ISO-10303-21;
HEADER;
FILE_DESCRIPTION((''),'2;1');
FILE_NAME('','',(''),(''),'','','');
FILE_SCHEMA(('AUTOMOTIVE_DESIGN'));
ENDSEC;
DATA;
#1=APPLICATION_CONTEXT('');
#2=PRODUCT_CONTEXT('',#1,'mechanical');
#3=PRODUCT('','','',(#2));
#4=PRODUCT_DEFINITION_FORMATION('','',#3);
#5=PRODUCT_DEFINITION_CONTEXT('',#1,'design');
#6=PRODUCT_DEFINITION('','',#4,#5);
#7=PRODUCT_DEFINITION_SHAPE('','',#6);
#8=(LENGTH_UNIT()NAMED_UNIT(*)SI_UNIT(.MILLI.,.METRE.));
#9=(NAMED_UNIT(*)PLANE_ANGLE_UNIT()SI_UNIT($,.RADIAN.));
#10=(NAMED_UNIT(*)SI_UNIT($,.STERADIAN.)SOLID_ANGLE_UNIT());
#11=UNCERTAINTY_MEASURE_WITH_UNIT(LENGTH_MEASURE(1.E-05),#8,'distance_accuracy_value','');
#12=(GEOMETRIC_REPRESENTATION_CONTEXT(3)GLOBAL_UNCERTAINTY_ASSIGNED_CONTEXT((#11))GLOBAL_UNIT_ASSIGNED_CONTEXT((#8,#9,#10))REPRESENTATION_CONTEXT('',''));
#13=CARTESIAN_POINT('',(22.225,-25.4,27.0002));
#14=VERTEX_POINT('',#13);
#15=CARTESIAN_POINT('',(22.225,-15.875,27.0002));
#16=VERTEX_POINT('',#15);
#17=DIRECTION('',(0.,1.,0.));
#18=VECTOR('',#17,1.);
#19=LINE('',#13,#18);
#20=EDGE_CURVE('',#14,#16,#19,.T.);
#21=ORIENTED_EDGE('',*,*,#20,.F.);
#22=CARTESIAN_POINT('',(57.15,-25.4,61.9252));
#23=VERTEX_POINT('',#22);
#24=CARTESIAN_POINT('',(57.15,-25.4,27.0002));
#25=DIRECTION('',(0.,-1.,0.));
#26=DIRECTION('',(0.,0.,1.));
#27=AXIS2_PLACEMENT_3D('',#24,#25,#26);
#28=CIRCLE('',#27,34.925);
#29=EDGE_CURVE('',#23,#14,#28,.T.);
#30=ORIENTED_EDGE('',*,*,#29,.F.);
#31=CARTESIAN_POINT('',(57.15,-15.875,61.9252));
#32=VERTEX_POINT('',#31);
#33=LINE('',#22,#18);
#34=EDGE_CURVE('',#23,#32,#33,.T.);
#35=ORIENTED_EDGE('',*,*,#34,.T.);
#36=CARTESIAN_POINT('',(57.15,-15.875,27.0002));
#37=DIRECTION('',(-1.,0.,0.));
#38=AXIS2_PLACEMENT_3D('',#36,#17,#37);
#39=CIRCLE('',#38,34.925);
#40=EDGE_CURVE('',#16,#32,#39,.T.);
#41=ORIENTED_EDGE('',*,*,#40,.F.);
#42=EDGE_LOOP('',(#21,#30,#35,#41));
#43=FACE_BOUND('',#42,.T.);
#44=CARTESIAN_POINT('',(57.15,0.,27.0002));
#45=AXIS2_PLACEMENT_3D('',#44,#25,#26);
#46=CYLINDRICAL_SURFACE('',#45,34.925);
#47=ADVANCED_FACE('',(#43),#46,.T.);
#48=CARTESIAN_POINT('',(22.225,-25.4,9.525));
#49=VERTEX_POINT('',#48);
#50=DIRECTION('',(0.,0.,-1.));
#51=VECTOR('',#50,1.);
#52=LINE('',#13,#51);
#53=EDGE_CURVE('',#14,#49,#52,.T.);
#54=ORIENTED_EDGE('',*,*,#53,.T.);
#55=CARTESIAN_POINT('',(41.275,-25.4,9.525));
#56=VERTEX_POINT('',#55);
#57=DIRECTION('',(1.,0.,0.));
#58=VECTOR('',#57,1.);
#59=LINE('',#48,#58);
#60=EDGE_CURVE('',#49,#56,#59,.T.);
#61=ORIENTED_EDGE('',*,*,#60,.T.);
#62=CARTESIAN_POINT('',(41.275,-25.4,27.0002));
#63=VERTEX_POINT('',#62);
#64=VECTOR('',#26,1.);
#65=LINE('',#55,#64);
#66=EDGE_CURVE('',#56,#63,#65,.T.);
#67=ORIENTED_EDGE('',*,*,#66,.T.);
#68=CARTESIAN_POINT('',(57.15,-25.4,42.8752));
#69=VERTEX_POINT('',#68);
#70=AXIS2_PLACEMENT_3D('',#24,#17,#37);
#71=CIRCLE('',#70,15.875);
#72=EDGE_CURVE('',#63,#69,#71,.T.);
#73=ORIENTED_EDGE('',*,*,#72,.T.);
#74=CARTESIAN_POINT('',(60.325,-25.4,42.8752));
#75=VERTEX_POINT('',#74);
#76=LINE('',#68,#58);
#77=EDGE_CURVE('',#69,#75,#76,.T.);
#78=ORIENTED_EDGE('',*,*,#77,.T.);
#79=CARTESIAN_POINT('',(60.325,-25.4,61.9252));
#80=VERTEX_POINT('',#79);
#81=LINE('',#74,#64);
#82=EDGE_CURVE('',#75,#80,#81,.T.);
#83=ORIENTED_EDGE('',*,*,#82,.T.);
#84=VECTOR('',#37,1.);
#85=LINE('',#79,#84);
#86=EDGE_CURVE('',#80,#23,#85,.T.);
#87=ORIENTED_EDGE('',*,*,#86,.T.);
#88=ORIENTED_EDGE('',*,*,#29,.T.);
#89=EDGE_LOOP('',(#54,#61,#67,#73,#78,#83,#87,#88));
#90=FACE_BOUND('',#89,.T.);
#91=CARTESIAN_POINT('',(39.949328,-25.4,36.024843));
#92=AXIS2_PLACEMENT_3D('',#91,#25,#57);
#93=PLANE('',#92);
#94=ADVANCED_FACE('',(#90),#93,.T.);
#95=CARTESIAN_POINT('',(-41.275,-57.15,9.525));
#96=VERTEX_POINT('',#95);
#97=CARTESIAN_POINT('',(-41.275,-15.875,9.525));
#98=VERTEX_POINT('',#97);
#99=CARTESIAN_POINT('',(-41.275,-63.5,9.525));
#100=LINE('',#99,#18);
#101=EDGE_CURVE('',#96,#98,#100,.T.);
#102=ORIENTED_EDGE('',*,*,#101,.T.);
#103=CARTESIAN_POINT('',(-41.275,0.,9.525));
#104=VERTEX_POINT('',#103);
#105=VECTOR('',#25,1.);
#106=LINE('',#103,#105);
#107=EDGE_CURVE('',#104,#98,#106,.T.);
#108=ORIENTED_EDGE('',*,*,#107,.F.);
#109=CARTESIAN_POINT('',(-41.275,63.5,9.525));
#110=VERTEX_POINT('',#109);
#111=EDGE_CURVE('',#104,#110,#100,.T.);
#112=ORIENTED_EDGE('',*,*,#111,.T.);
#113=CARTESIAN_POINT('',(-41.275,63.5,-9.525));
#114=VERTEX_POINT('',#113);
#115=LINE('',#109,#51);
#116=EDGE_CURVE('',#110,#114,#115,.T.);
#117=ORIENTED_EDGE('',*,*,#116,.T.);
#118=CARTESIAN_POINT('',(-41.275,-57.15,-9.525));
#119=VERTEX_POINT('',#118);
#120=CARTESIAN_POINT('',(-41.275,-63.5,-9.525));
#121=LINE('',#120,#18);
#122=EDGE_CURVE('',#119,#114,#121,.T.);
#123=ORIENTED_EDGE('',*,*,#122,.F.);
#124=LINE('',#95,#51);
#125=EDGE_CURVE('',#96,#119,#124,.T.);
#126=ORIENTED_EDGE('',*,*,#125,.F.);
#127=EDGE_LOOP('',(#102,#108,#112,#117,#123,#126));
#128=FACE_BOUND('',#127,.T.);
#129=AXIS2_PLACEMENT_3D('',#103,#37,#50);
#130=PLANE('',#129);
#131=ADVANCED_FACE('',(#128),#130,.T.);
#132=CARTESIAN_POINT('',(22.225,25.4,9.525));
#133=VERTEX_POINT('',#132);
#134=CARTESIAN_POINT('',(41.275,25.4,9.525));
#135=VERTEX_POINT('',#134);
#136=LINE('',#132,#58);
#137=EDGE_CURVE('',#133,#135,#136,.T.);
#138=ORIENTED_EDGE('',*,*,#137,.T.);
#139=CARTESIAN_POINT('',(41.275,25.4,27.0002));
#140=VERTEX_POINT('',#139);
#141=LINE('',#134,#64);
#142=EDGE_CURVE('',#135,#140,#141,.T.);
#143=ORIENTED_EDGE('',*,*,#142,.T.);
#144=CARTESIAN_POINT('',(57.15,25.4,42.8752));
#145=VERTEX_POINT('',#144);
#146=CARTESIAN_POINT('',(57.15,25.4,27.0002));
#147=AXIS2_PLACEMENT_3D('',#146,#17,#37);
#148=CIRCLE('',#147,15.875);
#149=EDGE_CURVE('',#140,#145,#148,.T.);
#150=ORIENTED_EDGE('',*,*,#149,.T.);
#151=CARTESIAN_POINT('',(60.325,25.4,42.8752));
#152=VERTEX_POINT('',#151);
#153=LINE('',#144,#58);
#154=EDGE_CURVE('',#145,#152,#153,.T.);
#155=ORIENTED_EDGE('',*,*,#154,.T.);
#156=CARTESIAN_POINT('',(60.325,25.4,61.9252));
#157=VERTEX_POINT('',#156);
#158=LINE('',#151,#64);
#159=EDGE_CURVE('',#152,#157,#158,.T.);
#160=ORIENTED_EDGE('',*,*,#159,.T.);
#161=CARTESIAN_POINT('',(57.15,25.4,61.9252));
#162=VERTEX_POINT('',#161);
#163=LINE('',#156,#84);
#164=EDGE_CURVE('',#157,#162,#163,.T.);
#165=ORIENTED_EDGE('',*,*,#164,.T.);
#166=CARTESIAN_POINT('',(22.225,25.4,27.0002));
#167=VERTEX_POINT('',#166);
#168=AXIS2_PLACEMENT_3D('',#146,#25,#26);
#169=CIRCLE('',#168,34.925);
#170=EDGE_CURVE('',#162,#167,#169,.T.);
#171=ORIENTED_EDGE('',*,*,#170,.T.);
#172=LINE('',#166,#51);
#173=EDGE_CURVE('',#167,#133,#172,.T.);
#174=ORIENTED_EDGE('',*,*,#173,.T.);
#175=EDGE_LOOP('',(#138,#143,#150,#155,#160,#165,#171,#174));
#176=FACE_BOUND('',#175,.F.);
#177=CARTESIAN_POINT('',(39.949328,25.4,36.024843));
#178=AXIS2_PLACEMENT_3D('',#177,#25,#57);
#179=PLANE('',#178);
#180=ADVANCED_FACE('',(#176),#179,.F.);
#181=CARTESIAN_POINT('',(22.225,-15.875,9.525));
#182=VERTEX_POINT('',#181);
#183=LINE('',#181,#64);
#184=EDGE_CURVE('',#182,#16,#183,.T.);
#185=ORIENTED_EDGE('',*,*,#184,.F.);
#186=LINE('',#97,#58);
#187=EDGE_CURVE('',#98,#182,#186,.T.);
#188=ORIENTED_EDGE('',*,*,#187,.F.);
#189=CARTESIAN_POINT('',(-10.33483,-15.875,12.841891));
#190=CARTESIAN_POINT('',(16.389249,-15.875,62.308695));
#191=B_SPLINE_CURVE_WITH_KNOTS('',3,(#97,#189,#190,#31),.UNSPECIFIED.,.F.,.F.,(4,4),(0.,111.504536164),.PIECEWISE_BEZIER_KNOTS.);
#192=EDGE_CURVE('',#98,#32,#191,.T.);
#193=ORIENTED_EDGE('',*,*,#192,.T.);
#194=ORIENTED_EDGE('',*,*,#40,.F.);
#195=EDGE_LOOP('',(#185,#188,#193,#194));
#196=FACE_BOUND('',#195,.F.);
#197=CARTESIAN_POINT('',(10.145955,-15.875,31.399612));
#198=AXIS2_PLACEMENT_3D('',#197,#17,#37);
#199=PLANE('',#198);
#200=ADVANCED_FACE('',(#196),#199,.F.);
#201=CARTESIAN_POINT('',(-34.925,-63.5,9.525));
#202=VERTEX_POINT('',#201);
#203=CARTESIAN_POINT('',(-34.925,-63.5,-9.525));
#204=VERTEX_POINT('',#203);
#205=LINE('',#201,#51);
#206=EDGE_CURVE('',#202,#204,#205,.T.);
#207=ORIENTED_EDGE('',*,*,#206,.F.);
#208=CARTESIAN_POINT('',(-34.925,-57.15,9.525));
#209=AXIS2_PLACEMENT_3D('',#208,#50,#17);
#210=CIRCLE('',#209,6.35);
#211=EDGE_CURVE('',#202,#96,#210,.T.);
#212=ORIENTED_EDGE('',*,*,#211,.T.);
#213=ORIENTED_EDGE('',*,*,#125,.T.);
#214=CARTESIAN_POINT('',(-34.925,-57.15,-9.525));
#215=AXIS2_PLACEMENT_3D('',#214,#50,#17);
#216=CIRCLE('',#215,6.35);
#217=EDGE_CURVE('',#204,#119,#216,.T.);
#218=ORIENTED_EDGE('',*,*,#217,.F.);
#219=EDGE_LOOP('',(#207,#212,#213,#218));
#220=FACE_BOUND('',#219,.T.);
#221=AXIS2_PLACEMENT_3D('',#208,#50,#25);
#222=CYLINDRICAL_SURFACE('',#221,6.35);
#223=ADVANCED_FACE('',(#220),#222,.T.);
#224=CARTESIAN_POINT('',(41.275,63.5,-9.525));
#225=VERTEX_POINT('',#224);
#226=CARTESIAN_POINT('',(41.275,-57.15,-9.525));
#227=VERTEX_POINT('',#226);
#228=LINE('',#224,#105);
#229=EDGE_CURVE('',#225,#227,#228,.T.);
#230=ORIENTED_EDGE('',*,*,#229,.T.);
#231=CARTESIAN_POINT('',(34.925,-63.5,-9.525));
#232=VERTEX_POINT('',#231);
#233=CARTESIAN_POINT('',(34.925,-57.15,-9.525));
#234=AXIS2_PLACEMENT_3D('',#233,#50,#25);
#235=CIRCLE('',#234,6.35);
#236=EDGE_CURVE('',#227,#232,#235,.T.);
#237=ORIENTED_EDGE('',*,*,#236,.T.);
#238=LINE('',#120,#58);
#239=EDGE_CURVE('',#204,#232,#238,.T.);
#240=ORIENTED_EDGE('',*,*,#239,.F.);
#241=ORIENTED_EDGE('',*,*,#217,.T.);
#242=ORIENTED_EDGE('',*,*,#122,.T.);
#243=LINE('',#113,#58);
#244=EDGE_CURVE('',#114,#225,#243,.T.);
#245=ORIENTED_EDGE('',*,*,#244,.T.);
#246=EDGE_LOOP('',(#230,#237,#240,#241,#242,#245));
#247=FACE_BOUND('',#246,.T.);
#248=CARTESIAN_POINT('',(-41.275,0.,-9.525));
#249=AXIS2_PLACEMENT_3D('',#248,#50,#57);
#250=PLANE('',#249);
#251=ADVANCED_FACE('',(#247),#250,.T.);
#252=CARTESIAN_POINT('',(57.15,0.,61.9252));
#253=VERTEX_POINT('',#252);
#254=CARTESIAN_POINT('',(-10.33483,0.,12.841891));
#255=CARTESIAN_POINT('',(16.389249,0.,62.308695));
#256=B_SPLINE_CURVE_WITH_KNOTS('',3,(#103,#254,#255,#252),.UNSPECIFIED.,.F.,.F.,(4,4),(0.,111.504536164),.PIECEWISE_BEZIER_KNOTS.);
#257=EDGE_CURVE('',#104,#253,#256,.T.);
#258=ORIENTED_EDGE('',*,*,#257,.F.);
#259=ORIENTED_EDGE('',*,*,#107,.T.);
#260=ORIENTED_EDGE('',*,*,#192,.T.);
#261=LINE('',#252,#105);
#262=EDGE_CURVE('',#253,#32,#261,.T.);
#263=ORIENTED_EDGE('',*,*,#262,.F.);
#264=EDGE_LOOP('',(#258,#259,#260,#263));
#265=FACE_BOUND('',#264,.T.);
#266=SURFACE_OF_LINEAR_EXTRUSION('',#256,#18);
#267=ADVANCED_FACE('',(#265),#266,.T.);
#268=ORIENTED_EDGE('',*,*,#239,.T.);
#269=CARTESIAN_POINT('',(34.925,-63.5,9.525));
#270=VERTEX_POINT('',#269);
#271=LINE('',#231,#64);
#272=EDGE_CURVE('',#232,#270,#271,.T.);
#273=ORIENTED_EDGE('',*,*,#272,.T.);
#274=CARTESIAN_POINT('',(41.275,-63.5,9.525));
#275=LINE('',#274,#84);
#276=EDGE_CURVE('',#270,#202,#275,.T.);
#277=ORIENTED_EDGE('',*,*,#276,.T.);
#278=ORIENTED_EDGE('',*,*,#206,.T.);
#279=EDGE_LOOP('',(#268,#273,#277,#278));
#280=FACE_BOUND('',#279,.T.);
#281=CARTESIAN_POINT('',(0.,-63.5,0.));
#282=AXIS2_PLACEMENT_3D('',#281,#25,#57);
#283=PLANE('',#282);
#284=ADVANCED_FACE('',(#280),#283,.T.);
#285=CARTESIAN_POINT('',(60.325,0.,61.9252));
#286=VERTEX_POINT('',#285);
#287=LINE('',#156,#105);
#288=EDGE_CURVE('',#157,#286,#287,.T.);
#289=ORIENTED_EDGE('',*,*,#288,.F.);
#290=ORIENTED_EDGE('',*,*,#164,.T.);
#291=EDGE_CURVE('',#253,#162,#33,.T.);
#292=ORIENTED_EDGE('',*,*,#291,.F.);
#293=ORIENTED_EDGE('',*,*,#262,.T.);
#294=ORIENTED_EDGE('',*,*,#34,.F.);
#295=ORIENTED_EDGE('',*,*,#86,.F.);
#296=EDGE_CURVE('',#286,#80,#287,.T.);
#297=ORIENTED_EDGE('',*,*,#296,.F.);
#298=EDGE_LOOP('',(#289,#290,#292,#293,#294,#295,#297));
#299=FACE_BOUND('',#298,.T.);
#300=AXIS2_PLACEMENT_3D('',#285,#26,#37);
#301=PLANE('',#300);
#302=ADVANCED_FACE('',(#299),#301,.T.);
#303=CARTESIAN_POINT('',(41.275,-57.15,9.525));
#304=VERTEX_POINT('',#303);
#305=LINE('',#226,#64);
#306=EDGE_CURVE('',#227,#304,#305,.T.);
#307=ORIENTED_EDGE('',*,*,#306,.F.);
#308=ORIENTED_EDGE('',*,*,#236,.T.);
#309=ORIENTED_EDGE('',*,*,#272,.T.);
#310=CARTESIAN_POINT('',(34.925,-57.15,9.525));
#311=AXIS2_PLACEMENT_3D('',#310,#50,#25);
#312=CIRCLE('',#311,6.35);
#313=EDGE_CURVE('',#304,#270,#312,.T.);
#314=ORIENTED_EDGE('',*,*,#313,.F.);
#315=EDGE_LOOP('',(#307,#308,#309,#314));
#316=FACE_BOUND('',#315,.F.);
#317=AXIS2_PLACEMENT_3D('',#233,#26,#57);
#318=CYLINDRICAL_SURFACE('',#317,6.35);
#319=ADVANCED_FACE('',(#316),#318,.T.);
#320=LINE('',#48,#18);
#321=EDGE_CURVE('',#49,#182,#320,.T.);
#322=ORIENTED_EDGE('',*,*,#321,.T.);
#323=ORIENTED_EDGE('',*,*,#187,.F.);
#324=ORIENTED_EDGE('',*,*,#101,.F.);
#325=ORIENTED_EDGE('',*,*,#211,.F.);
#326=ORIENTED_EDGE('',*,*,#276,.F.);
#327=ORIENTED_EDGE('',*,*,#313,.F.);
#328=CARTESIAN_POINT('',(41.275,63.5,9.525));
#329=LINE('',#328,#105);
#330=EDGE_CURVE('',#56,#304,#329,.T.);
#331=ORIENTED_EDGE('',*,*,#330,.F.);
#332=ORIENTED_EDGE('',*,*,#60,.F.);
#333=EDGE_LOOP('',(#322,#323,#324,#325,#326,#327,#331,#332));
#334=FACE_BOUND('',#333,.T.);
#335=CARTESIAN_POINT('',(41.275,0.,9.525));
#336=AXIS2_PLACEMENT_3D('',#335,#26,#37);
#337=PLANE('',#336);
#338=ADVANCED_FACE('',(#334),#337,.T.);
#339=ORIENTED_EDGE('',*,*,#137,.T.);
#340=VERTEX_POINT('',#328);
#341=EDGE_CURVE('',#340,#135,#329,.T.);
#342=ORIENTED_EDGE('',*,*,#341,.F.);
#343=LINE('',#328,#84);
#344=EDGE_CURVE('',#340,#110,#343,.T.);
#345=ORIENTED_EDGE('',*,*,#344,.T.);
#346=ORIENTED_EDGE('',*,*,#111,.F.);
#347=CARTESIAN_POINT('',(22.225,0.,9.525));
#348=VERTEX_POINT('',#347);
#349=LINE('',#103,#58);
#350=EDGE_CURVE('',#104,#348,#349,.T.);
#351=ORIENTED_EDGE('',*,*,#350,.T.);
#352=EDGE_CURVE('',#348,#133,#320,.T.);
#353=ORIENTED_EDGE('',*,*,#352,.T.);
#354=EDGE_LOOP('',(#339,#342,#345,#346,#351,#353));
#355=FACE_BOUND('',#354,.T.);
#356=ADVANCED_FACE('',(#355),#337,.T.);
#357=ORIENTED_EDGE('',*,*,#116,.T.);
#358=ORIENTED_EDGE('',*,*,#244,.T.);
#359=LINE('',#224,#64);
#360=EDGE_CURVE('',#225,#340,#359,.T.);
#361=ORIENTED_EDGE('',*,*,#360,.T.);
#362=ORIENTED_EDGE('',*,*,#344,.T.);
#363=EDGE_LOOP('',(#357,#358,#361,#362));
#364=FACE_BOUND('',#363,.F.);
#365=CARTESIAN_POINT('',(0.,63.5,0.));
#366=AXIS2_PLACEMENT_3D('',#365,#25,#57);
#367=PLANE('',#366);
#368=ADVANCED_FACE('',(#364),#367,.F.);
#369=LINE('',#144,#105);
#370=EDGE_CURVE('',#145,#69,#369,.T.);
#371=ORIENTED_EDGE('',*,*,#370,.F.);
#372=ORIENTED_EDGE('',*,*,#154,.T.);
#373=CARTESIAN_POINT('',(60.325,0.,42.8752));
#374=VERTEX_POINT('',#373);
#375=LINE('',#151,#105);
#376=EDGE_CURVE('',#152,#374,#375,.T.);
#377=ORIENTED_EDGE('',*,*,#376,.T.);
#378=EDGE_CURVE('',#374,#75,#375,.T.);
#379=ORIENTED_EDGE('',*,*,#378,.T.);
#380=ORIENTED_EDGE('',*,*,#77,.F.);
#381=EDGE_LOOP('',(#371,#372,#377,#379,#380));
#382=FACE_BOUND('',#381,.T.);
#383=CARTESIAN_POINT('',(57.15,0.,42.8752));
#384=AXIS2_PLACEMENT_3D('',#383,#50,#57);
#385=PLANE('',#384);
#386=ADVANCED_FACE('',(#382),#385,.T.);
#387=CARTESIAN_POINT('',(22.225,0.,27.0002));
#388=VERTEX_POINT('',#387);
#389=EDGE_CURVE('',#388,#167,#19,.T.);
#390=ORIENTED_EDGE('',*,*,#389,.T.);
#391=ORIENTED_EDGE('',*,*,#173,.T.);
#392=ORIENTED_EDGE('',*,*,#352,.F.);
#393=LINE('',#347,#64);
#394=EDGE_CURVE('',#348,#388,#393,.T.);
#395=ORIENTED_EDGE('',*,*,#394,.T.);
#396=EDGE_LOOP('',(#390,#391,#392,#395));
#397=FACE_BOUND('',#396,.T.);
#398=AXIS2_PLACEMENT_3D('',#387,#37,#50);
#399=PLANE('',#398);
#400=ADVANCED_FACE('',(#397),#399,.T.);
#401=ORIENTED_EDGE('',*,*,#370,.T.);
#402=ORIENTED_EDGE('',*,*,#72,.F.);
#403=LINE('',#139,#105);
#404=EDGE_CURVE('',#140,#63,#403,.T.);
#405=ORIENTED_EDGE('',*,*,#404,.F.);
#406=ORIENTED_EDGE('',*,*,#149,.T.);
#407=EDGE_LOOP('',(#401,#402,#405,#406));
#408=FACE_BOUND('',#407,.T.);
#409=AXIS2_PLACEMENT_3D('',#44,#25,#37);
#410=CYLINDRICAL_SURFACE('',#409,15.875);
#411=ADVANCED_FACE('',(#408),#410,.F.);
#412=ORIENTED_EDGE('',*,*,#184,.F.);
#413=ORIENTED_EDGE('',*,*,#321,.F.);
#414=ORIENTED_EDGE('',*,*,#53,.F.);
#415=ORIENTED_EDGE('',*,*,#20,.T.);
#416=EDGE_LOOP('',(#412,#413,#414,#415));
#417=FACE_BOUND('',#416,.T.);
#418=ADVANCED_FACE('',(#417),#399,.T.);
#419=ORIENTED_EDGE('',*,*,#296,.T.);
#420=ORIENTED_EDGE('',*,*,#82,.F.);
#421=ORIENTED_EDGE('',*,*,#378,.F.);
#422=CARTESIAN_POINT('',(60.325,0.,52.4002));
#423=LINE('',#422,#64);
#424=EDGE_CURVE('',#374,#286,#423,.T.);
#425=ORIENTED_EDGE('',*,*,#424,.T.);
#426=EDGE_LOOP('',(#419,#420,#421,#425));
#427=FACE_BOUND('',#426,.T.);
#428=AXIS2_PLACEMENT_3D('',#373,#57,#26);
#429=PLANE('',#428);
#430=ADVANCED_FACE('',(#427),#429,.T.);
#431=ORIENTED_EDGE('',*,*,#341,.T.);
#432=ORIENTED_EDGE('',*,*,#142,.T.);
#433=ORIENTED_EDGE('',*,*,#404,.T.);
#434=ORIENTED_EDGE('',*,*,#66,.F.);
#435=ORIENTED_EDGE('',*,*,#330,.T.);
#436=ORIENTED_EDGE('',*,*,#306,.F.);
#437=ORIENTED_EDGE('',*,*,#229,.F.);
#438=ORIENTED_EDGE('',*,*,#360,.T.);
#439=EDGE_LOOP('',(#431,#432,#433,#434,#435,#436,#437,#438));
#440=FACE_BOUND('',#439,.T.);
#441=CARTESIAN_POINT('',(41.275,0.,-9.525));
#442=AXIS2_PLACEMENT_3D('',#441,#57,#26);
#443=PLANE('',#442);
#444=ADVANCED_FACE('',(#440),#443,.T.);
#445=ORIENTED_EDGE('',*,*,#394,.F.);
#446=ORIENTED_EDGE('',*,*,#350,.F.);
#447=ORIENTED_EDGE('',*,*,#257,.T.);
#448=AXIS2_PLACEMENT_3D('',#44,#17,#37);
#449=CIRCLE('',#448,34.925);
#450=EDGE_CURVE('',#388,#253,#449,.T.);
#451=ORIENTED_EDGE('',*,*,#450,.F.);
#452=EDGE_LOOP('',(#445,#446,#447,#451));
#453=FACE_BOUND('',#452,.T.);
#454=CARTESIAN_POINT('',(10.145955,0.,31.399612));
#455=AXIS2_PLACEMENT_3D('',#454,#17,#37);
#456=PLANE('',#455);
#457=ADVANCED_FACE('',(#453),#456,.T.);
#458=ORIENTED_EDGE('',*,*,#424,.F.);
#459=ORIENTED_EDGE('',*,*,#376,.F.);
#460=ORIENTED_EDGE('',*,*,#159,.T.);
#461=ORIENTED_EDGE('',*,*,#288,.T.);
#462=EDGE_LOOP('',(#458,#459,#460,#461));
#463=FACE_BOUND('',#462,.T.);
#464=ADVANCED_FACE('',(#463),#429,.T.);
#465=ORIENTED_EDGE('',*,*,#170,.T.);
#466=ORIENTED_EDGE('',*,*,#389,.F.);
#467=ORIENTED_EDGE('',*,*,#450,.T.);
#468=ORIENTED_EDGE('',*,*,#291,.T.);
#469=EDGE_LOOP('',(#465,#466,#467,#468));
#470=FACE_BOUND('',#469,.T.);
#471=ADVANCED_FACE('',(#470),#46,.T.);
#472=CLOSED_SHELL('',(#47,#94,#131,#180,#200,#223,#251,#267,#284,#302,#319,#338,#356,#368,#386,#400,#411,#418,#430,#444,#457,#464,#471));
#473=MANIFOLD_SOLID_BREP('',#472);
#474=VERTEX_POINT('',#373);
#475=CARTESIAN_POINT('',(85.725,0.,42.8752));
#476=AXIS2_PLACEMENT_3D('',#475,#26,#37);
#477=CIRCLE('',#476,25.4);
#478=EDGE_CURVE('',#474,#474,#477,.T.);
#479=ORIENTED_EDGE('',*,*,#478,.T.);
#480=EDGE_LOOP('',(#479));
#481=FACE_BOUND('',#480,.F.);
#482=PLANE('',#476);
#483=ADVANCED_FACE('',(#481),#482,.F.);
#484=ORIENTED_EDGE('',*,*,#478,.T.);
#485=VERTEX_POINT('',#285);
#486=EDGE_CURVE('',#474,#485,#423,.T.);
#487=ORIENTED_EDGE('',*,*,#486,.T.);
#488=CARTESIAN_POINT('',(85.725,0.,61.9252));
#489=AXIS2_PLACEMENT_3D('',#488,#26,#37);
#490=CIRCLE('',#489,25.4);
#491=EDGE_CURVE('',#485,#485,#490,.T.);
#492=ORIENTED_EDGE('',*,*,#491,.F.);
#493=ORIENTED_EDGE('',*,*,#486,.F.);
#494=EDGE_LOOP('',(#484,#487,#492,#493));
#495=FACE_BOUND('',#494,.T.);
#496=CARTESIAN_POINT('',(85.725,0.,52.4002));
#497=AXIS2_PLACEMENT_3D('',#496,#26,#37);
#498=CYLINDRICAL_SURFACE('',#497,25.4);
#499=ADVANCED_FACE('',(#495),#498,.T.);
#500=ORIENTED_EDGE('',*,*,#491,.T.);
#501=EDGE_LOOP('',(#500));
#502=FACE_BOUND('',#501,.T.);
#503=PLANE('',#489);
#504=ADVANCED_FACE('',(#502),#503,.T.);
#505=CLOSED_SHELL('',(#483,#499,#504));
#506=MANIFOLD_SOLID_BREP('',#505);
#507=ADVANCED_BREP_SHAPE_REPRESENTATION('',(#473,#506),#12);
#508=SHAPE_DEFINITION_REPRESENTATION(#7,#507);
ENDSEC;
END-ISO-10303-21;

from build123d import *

# Parameters (mm, degrees)
F1_DEPTH = 63.5
F2_DEPTH = 25.4
F3_DEPTH = 15.875
F0_W     = 25.4
F0_H     = 19.05
F5_R     = 6.35


with BuildPart() as f1:
    # F0 (on Front) → F1 (new body, symmetric)
    with BuildSketch(Plane.XZ):
        Polygon((-41.275, -9.525), (41.275, -9.525), (41.275, 9.525), (22.225, 9.525), (-41.275, 9.525), align=None)
    extrude(amount=F1_DEPTH, both=True)

    # F0 (on Front) → F2 (join, symmetric)
    with BuildSketch(Plane.XZ):
        with BuildLine():
            Line((22.225, 9.525), (41.275, 9.525))
            Line((41.275, 9.525), (41.275, 27.0002))
            ThreePointArc((41.275, 27.0002), (45.9246798487, 38.2255201513), (57.15, 42.8752))
            Line((57.15, 42.8752), (60.325, 42.8752))
            Line((60.325, 42.8752), (60.325, 61.9252))
            Line((60.325, 61.9252), (57.15, 61.9252))
            ThreePointArc((57.15, 61.9252), (32.4542956671, 51.6959043329), (22.225, 27.0002))
            Line((22.225, 27.0002), (22.225, 9.525))
        make_face()
    extrude(amount=F2_DEPTH, both=True)

    # F0 (on Front) → F3 (join)
    with BuildSketch(Plane.XZ):
        with BuildLine():
            add(Edge.make_bspline(
                [(-41.275, 9.525), (-10.3348297998, 12.8418905661), (16.3892488927, 62.3086951673), (57.15, 61.9252)],
                knots=[0, 0, 0, 0, 111.5045361635, 111.5045361635, 111.5045361635, 111.5045361635], degree=3))
            Line((-41.275, 9.525), (22.225, 9.525))
            Line((22.225, 9.525), (22.225, 27.0002))
            ThreePointArc((22.225, 27.0002), (32.4542956671, 51.6959043329), (57.15, 61.9252))
        make_face()
    extrude(amount=F3_DEPTH)

    # F0 (on Front) → F4 (revolve)
    with BuildSketch(Plane.XZ):
        with Locations((73.025, 52.4002)):
            Rectangle(F0_W, F0_H)
    revolve(axis=Axis((85.725, 0, 52.3875), (0, 0, 1)))

    # F5
    f5_edges = [f1.edges().sort_by_distance(p)[0] for p in [
        (-41.275, -63.5, 0),
        (41.275, -63.5, 0),
    ]]
    fillet(f5_edges, radius=F5_R)


solid = f1.part
